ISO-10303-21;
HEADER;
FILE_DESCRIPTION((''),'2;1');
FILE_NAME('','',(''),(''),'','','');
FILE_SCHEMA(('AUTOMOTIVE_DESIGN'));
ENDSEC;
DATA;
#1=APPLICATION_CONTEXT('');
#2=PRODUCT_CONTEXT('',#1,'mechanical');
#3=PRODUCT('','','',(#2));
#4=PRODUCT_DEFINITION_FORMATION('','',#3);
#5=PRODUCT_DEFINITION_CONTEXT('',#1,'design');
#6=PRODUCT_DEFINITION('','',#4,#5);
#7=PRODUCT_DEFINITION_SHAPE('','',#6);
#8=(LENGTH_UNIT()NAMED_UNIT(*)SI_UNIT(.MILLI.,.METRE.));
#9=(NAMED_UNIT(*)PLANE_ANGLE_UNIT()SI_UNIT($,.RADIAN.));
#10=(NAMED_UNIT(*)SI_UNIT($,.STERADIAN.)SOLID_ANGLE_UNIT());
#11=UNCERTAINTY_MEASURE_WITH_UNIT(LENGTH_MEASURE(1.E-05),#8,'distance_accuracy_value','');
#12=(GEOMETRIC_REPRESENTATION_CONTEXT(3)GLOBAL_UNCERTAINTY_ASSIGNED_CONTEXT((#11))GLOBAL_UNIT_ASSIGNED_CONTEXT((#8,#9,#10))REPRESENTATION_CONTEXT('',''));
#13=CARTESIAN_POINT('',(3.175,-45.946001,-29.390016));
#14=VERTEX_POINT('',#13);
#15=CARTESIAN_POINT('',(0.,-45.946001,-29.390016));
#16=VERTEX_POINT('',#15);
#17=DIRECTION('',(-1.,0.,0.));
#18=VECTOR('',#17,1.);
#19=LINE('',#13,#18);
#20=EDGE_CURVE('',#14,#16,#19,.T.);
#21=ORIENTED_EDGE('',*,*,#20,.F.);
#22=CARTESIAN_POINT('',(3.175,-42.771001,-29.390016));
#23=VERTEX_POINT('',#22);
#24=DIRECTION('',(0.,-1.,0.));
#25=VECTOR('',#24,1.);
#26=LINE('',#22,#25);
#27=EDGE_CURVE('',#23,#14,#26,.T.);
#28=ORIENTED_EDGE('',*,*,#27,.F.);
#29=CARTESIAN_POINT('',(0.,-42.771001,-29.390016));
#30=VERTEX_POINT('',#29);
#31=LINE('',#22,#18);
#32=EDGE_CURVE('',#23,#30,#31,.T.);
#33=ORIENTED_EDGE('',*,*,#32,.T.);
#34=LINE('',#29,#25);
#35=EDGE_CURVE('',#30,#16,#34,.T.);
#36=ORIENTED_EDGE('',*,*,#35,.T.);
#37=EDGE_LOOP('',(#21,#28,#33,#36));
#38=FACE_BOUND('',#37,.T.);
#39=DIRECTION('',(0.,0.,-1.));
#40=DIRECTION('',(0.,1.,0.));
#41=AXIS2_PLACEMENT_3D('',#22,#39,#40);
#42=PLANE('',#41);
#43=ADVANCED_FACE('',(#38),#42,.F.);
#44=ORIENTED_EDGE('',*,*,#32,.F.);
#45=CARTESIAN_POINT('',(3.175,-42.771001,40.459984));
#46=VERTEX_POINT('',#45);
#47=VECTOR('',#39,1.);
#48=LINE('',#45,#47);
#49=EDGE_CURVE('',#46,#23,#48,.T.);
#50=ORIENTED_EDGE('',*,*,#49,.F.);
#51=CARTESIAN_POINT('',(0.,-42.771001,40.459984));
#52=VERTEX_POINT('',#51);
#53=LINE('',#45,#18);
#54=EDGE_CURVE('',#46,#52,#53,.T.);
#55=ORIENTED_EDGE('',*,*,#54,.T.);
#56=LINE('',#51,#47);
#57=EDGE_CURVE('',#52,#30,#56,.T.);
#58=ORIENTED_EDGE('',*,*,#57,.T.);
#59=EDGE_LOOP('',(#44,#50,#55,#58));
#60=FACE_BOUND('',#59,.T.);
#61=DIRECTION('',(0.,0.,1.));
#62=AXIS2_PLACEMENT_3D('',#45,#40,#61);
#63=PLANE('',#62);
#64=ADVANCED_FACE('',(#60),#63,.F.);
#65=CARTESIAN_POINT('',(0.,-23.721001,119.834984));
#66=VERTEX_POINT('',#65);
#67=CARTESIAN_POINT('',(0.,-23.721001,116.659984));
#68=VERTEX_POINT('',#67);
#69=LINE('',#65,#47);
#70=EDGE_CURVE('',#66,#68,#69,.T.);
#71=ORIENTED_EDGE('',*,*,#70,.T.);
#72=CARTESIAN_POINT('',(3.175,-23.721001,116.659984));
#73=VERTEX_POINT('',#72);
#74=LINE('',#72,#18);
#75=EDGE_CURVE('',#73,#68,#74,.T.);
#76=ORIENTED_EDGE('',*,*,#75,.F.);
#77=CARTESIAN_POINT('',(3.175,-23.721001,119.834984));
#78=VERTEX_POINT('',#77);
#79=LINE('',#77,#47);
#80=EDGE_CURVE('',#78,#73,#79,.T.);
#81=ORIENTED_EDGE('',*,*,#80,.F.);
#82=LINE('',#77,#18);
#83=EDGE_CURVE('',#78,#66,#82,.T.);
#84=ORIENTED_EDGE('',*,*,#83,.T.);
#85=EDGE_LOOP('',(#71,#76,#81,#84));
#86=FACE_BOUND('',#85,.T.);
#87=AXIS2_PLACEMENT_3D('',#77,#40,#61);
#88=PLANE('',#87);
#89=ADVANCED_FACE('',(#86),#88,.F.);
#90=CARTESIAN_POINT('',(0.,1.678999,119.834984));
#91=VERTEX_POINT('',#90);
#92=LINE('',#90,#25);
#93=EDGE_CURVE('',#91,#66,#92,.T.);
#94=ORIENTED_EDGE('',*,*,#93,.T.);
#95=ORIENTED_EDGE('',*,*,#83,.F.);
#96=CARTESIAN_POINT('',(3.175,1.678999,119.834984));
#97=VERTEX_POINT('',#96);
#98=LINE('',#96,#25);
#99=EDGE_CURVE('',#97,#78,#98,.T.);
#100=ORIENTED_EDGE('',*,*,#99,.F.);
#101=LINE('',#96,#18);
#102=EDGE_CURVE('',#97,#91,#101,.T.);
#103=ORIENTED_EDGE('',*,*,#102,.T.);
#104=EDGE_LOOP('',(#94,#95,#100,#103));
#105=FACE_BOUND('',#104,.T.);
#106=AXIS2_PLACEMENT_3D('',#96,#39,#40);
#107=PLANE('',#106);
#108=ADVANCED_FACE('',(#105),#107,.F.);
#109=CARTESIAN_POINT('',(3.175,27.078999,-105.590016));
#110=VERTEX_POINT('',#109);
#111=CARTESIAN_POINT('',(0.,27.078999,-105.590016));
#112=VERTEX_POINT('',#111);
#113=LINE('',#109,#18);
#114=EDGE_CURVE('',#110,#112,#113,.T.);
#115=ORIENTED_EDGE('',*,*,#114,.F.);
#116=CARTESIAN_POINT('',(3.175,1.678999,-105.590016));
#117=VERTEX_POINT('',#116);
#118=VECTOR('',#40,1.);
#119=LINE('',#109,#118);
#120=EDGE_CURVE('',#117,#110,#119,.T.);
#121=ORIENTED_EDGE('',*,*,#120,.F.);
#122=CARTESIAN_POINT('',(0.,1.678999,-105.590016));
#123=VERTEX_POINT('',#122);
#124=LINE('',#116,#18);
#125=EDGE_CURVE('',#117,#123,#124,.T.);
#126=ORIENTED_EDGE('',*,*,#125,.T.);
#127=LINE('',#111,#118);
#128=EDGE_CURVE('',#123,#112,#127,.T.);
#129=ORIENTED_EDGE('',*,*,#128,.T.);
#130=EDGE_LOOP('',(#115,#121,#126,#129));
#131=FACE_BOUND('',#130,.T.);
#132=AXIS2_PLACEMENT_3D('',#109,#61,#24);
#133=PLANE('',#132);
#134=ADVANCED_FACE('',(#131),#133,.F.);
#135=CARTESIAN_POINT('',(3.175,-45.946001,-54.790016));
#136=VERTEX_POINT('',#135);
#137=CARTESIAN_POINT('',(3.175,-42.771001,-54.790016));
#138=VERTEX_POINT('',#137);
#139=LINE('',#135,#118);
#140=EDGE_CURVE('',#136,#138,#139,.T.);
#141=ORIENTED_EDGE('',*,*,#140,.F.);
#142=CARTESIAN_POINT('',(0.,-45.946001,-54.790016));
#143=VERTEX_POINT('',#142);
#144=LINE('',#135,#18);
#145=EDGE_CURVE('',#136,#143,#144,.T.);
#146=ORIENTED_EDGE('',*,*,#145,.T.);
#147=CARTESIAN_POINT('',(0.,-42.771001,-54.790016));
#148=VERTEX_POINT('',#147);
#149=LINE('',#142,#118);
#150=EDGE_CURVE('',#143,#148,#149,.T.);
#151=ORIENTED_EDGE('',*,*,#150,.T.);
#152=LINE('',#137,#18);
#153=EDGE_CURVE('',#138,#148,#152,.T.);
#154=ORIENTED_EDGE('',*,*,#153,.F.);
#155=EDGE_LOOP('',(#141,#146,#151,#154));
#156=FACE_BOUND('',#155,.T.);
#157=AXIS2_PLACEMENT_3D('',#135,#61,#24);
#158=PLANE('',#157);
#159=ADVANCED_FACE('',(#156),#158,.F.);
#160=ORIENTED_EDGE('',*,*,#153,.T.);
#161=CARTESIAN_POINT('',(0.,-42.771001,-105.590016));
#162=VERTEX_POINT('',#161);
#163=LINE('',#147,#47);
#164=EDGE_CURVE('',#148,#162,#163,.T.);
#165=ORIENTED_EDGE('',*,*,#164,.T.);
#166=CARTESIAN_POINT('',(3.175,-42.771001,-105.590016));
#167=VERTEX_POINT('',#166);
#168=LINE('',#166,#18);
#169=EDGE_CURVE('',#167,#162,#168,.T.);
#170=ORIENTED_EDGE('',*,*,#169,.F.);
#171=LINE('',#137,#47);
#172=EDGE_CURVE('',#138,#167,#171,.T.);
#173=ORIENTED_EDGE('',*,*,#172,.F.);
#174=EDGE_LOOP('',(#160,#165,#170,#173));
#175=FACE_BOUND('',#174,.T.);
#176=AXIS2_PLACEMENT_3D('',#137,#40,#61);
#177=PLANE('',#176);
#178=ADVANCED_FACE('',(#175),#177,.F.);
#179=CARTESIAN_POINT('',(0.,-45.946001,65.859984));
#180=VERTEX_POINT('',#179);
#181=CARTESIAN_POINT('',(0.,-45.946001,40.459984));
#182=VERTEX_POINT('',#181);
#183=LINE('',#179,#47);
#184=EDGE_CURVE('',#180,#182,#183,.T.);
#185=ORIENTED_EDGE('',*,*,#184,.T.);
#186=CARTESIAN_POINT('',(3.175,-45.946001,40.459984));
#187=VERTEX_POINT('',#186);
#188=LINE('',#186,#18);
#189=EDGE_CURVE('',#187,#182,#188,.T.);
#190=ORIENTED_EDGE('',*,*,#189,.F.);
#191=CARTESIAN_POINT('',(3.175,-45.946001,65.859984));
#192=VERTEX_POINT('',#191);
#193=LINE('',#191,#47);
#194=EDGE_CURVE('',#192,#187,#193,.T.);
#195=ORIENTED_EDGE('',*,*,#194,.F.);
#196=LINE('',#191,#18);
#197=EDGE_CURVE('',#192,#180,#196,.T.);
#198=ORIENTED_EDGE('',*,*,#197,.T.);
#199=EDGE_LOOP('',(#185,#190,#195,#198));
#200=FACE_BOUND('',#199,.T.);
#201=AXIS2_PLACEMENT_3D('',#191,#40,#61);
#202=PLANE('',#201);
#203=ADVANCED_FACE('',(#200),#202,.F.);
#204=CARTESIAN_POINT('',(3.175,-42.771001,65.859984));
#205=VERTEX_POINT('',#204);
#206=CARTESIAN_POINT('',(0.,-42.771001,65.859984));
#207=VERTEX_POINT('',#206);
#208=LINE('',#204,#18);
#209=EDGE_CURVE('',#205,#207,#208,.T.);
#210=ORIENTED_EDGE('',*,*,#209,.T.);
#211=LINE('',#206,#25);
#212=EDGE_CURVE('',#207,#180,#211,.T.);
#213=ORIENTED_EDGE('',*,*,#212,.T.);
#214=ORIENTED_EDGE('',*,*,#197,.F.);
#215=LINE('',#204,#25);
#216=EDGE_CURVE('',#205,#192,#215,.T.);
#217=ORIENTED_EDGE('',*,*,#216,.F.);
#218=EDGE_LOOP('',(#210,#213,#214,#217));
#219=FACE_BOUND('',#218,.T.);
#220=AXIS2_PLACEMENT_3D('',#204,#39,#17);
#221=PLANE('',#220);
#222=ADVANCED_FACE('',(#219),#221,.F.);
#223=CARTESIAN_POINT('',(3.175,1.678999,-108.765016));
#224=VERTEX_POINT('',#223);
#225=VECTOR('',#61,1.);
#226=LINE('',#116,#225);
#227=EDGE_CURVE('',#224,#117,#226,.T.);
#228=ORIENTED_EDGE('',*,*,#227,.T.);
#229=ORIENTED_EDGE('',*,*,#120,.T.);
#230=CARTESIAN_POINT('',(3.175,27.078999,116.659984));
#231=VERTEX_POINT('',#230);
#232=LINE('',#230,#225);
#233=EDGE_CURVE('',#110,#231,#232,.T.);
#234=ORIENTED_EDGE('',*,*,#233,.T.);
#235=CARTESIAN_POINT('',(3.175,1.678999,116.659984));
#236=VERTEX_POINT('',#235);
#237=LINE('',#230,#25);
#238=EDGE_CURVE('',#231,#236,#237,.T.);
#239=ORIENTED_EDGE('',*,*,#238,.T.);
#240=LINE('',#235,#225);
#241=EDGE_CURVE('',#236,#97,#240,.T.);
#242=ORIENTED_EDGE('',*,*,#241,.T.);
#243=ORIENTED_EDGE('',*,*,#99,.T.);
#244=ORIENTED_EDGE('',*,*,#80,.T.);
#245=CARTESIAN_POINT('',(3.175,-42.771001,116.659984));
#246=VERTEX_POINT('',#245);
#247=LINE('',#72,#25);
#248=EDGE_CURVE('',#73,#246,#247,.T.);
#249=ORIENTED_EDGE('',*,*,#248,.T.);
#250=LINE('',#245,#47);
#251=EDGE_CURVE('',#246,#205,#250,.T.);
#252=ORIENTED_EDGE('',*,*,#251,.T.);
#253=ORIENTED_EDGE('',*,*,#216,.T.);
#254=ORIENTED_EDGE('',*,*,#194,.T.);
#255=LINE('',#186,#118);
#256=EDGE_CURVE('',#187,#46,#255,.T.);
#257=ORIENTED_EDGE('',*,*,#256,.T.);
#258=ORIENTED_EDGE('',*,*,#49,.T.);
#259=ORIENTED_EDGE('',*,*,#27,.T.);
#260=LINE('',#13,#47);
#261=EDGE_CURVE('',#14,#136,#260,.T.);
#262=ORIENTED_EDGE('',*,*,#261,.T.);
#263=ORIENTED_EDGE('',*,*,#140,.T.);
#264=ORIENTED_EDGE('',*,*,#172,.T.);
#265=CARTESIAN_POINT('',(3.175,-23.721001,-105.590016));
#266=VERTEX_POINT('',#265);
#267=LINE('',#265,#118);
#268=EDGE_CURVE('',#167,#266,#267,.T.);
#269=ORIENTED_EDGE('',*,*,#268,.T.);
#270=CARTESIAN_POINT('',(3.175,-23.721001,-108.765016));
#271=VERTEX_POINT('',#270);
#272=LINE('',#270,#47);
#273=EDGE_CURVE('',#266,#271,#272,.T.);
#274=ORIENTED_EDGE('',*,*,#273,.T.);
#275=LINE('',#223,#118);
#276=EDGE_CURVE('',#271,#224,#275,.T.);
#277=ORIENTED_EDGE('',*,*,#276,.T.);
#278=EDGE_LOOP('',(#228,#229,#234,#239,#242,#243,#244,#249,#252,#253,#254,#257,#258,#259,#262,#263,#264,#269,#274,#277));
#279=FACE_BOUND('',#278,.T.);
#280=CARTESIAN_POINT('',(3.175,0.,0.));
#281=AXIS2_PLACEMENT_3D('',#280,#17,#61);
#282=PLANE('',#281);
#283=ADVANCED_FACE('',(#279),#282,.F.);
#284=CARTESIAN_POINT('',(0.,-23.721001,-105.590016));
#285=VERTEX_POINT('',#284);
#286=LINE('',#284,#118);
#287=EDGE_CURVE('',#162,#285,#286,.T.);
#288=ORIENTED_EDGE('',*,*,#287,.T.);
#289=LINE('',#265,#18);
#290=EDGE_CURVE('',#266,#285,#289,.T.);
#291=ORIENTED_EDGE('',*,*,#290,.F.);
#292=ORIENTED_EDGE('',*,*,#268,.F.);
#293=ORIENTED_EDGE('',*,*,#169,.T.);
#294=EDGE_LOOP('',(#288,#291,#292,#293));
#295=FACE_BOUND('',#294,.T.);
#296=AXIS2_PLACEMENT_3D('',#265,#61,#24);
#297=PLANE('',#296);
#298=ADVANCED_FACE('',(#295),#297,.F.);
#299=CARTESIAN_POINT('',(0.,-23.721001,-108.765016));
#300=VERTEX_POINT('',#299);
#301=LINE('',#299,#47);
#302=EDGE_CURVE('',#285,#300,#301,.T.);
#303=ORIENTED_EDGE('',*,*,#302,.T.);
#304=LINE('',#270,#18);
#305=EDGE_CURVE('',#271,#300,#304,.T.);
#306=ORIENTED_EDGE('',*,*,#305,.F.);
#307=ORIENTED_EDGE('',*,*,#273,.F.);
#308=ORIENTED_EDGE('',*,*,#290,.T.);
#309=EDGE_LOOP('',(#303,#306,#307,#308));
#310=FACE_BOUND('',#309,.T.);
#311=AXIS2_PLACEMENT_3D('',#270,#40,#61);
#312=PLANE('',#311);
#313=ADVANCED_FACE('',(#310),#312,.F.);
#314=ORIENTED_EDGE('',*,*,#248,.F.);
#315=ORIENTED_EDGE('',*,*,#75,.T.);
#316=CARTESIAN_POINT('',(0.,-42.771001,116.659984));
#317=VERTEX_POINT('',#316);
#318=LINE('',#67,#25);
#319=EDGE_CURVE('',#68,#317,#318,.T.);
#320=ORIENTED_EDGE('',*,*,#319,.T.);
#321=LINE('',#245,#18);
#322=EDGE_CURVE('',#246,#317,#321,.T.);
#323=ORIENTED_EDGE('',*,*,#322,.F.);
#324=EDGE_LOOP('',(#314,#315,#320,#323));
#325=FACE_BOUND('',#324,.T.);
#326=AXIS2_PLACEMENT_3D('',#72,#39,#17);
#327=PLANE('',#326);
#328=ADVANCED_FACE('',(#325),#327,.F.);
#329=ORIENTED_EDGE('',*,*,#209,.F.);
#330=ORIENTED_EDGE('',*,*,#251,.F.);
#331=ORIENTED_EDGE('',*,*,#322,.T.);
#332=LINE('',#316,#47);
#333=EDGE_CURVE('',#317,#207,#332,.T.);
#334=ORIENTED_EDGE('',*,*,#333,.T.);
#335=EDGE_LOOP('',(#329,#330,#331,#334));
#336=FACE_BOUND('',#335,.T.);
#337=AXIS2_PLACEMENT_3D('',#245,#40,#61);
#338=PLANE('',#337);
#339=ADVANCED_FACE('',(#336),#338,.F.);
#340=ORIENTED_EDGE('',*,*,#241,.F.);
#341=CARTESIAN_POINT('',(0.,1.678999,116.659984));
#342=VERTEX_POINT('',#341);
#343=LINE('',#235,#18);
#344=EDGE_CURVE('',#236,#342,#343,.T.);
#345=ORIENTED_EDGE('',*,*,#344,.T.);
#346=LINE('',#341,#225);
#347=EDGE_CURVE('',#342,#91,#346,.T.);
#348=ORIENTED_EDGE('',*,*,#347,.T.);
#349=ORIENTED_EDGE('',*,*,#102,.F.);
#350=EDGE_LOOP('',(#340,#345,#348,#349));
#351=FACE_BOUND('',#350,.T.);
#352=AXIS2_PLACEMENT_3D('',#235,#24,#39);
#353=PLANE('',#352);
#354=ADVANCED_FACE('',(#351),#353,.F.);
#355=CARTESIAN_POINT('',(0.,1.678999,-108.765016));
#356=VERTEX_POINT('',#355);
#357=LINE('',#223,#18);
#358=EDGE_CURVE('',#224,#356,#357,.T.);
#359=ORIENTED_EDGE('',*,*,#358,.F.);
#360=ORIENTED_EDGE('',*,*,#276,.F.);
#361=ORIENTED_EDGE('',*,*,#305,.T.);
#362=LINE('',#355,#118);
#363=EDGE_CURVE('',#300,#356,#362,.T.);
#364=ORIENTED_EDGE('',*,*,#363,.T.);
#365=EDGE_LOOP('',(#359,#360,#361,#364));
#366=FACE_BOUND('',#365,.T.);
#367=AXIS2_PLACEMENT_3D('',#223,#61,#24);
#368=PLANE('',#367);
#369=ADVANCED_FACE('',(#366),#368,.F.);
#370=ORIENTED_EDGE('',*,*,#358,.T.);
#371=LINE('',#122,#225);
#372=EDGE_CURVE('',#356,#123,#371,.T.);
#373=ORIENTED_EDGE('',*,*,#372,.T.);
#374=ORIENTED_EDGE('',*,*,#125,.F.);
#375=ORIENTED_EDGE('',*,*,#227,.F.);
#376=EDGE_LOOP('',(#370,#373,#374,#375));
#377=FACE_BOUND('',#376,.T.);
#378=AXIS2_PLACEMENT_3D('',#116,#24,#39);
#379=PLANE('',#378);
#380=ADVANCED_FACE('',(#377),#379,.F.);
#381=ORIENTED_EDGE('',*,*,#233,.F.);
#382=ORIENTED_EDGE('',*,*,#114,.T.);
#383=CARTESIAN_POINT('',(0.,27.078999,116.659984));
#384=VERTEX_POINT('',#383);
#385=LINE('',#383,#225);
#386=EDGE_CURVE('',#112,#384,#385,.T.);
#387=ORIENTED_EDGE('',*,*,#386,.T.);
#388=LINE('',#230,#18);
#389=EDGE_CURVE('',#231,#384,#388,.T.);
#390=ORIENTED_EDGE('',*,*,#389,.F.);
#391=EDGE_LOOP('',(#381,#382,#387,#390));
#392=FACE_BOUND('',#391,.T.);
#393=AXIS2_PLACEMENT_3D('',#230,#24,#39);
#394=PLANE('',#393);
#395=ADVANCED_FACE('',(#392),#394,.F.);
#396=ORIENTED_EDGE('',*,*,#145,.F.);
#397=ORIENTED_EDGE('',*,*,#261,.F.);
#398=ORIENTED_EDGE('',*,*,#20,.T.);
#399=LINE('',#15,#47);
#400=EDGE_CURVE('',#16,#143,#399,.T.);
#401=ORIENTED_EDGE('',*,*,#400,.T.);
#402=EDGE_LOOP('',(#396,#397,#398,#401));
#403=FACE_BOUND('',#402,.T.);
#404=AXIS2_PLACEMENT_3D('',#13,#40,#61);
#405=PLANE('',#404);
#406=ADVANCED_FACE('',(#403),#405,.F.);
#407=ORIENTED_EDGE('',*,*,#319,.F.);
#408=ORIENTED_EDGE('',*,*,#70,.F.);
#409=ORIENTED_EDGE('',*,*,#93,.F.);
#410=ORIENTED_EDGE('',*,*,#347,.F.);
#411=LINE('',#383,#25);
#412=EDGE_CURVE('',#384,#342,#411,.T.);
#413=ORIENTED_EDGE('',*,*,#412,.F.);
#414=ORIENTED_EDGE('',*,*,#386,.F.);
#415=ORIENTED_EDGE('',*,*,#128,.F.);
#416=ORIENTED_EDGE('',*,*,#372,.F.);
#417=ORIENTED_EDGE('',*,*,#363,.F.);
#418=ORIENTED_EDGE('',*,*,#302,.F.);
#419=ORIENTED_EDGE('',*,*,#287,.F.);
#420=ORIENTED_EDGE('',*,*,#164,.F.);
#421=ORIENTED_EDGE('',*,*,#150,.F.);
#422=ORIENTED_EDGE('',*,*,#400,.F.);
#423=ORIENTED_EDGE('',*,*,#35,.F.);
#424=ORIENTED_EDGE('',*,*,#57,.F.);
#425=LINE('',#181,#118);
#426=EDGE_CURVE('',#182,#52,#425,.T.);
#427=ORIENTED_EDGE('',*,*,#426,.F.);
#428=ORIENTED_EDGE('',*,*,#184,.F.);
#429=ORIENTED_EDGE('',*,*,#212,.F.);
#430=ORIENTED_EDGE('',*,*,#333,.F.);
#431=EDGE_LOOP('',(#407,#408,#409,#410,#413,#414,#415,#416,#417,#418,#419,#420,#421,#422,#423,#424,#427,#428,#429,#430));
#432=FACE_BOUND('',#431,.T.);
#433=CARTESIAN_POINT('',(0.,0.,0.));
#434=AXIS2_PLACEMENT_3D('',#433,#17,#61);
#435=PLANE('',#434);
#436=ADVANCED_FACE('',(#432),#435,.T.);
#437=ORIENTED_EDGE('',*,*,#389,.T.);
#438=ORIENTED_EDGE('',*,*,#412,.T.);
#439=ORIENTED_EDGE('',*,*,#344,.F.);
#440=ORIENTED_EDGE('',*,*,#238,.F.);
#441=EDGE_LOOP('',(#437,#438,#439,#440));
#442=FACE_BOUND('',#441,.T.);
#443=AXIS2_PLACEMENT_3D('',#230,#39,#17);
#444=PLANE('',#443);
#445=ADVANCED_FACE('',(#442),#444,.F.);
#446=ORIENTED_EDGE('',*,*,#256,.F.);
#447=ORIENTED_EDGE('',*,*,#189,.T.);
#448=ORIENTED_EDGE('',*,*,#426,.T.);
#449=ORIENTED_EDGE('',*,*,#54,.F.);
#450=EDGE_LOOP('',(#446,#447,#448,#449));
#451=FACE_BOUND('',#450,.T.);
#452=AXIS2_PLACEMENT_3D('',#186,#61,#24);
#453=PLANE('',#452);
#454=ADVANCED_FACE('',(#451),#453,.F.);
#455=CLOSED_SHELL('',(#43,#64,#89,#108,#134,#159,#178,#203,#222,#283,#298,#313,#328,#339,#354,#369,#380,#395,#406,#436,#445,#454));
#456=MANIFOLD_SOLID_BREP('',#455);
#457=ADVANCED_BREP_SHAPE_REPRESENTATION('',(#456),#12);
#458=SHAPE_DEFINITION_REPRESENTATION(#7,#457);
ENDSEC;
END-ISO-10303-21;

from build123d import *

# Parameters (mm, degrees)
BOSS_EXTRUDE1_DEPTH = 3.175


with BuildPart() as part:
    # Sketch1 → Boss-Extrude1 (new body)
    with BuildSketch(Plane(origin=(0, 0, 0), x_dir=(0, 0, -1), z_dir=(1, 0, 0))):
        Polygon((-116.659983875, 27.078998721), (-116.659983875, 1.678998721), (-119.834983875, 1.678998721), (-119.834983875, -23.721001279), (-116.659983875, -23.721001279), (-116.659983875, -42.771001279), (-65.859983875, -42.771001279), (-65.859983875, -45.946001279), (-40.459983875, -45.946001279), (-40.459983875, -42.771001279), (29.390016125, -42.771001279), (29.390016125, -45.946001279), (54.790016125, -45.946001279), (54.790016125, -42.771001279), (105.590016125, -42.771001279), (105.590016125, -23.721001279), (108.765016125, -23.721001279), (108.765016125, 1.678998721), (105.590016125, 1.678998721), (105.590016125, 27.078998721), align=None)
    extrude(amount=BOSS_EXTRUDE1_DEPTH)


solid = part.part
